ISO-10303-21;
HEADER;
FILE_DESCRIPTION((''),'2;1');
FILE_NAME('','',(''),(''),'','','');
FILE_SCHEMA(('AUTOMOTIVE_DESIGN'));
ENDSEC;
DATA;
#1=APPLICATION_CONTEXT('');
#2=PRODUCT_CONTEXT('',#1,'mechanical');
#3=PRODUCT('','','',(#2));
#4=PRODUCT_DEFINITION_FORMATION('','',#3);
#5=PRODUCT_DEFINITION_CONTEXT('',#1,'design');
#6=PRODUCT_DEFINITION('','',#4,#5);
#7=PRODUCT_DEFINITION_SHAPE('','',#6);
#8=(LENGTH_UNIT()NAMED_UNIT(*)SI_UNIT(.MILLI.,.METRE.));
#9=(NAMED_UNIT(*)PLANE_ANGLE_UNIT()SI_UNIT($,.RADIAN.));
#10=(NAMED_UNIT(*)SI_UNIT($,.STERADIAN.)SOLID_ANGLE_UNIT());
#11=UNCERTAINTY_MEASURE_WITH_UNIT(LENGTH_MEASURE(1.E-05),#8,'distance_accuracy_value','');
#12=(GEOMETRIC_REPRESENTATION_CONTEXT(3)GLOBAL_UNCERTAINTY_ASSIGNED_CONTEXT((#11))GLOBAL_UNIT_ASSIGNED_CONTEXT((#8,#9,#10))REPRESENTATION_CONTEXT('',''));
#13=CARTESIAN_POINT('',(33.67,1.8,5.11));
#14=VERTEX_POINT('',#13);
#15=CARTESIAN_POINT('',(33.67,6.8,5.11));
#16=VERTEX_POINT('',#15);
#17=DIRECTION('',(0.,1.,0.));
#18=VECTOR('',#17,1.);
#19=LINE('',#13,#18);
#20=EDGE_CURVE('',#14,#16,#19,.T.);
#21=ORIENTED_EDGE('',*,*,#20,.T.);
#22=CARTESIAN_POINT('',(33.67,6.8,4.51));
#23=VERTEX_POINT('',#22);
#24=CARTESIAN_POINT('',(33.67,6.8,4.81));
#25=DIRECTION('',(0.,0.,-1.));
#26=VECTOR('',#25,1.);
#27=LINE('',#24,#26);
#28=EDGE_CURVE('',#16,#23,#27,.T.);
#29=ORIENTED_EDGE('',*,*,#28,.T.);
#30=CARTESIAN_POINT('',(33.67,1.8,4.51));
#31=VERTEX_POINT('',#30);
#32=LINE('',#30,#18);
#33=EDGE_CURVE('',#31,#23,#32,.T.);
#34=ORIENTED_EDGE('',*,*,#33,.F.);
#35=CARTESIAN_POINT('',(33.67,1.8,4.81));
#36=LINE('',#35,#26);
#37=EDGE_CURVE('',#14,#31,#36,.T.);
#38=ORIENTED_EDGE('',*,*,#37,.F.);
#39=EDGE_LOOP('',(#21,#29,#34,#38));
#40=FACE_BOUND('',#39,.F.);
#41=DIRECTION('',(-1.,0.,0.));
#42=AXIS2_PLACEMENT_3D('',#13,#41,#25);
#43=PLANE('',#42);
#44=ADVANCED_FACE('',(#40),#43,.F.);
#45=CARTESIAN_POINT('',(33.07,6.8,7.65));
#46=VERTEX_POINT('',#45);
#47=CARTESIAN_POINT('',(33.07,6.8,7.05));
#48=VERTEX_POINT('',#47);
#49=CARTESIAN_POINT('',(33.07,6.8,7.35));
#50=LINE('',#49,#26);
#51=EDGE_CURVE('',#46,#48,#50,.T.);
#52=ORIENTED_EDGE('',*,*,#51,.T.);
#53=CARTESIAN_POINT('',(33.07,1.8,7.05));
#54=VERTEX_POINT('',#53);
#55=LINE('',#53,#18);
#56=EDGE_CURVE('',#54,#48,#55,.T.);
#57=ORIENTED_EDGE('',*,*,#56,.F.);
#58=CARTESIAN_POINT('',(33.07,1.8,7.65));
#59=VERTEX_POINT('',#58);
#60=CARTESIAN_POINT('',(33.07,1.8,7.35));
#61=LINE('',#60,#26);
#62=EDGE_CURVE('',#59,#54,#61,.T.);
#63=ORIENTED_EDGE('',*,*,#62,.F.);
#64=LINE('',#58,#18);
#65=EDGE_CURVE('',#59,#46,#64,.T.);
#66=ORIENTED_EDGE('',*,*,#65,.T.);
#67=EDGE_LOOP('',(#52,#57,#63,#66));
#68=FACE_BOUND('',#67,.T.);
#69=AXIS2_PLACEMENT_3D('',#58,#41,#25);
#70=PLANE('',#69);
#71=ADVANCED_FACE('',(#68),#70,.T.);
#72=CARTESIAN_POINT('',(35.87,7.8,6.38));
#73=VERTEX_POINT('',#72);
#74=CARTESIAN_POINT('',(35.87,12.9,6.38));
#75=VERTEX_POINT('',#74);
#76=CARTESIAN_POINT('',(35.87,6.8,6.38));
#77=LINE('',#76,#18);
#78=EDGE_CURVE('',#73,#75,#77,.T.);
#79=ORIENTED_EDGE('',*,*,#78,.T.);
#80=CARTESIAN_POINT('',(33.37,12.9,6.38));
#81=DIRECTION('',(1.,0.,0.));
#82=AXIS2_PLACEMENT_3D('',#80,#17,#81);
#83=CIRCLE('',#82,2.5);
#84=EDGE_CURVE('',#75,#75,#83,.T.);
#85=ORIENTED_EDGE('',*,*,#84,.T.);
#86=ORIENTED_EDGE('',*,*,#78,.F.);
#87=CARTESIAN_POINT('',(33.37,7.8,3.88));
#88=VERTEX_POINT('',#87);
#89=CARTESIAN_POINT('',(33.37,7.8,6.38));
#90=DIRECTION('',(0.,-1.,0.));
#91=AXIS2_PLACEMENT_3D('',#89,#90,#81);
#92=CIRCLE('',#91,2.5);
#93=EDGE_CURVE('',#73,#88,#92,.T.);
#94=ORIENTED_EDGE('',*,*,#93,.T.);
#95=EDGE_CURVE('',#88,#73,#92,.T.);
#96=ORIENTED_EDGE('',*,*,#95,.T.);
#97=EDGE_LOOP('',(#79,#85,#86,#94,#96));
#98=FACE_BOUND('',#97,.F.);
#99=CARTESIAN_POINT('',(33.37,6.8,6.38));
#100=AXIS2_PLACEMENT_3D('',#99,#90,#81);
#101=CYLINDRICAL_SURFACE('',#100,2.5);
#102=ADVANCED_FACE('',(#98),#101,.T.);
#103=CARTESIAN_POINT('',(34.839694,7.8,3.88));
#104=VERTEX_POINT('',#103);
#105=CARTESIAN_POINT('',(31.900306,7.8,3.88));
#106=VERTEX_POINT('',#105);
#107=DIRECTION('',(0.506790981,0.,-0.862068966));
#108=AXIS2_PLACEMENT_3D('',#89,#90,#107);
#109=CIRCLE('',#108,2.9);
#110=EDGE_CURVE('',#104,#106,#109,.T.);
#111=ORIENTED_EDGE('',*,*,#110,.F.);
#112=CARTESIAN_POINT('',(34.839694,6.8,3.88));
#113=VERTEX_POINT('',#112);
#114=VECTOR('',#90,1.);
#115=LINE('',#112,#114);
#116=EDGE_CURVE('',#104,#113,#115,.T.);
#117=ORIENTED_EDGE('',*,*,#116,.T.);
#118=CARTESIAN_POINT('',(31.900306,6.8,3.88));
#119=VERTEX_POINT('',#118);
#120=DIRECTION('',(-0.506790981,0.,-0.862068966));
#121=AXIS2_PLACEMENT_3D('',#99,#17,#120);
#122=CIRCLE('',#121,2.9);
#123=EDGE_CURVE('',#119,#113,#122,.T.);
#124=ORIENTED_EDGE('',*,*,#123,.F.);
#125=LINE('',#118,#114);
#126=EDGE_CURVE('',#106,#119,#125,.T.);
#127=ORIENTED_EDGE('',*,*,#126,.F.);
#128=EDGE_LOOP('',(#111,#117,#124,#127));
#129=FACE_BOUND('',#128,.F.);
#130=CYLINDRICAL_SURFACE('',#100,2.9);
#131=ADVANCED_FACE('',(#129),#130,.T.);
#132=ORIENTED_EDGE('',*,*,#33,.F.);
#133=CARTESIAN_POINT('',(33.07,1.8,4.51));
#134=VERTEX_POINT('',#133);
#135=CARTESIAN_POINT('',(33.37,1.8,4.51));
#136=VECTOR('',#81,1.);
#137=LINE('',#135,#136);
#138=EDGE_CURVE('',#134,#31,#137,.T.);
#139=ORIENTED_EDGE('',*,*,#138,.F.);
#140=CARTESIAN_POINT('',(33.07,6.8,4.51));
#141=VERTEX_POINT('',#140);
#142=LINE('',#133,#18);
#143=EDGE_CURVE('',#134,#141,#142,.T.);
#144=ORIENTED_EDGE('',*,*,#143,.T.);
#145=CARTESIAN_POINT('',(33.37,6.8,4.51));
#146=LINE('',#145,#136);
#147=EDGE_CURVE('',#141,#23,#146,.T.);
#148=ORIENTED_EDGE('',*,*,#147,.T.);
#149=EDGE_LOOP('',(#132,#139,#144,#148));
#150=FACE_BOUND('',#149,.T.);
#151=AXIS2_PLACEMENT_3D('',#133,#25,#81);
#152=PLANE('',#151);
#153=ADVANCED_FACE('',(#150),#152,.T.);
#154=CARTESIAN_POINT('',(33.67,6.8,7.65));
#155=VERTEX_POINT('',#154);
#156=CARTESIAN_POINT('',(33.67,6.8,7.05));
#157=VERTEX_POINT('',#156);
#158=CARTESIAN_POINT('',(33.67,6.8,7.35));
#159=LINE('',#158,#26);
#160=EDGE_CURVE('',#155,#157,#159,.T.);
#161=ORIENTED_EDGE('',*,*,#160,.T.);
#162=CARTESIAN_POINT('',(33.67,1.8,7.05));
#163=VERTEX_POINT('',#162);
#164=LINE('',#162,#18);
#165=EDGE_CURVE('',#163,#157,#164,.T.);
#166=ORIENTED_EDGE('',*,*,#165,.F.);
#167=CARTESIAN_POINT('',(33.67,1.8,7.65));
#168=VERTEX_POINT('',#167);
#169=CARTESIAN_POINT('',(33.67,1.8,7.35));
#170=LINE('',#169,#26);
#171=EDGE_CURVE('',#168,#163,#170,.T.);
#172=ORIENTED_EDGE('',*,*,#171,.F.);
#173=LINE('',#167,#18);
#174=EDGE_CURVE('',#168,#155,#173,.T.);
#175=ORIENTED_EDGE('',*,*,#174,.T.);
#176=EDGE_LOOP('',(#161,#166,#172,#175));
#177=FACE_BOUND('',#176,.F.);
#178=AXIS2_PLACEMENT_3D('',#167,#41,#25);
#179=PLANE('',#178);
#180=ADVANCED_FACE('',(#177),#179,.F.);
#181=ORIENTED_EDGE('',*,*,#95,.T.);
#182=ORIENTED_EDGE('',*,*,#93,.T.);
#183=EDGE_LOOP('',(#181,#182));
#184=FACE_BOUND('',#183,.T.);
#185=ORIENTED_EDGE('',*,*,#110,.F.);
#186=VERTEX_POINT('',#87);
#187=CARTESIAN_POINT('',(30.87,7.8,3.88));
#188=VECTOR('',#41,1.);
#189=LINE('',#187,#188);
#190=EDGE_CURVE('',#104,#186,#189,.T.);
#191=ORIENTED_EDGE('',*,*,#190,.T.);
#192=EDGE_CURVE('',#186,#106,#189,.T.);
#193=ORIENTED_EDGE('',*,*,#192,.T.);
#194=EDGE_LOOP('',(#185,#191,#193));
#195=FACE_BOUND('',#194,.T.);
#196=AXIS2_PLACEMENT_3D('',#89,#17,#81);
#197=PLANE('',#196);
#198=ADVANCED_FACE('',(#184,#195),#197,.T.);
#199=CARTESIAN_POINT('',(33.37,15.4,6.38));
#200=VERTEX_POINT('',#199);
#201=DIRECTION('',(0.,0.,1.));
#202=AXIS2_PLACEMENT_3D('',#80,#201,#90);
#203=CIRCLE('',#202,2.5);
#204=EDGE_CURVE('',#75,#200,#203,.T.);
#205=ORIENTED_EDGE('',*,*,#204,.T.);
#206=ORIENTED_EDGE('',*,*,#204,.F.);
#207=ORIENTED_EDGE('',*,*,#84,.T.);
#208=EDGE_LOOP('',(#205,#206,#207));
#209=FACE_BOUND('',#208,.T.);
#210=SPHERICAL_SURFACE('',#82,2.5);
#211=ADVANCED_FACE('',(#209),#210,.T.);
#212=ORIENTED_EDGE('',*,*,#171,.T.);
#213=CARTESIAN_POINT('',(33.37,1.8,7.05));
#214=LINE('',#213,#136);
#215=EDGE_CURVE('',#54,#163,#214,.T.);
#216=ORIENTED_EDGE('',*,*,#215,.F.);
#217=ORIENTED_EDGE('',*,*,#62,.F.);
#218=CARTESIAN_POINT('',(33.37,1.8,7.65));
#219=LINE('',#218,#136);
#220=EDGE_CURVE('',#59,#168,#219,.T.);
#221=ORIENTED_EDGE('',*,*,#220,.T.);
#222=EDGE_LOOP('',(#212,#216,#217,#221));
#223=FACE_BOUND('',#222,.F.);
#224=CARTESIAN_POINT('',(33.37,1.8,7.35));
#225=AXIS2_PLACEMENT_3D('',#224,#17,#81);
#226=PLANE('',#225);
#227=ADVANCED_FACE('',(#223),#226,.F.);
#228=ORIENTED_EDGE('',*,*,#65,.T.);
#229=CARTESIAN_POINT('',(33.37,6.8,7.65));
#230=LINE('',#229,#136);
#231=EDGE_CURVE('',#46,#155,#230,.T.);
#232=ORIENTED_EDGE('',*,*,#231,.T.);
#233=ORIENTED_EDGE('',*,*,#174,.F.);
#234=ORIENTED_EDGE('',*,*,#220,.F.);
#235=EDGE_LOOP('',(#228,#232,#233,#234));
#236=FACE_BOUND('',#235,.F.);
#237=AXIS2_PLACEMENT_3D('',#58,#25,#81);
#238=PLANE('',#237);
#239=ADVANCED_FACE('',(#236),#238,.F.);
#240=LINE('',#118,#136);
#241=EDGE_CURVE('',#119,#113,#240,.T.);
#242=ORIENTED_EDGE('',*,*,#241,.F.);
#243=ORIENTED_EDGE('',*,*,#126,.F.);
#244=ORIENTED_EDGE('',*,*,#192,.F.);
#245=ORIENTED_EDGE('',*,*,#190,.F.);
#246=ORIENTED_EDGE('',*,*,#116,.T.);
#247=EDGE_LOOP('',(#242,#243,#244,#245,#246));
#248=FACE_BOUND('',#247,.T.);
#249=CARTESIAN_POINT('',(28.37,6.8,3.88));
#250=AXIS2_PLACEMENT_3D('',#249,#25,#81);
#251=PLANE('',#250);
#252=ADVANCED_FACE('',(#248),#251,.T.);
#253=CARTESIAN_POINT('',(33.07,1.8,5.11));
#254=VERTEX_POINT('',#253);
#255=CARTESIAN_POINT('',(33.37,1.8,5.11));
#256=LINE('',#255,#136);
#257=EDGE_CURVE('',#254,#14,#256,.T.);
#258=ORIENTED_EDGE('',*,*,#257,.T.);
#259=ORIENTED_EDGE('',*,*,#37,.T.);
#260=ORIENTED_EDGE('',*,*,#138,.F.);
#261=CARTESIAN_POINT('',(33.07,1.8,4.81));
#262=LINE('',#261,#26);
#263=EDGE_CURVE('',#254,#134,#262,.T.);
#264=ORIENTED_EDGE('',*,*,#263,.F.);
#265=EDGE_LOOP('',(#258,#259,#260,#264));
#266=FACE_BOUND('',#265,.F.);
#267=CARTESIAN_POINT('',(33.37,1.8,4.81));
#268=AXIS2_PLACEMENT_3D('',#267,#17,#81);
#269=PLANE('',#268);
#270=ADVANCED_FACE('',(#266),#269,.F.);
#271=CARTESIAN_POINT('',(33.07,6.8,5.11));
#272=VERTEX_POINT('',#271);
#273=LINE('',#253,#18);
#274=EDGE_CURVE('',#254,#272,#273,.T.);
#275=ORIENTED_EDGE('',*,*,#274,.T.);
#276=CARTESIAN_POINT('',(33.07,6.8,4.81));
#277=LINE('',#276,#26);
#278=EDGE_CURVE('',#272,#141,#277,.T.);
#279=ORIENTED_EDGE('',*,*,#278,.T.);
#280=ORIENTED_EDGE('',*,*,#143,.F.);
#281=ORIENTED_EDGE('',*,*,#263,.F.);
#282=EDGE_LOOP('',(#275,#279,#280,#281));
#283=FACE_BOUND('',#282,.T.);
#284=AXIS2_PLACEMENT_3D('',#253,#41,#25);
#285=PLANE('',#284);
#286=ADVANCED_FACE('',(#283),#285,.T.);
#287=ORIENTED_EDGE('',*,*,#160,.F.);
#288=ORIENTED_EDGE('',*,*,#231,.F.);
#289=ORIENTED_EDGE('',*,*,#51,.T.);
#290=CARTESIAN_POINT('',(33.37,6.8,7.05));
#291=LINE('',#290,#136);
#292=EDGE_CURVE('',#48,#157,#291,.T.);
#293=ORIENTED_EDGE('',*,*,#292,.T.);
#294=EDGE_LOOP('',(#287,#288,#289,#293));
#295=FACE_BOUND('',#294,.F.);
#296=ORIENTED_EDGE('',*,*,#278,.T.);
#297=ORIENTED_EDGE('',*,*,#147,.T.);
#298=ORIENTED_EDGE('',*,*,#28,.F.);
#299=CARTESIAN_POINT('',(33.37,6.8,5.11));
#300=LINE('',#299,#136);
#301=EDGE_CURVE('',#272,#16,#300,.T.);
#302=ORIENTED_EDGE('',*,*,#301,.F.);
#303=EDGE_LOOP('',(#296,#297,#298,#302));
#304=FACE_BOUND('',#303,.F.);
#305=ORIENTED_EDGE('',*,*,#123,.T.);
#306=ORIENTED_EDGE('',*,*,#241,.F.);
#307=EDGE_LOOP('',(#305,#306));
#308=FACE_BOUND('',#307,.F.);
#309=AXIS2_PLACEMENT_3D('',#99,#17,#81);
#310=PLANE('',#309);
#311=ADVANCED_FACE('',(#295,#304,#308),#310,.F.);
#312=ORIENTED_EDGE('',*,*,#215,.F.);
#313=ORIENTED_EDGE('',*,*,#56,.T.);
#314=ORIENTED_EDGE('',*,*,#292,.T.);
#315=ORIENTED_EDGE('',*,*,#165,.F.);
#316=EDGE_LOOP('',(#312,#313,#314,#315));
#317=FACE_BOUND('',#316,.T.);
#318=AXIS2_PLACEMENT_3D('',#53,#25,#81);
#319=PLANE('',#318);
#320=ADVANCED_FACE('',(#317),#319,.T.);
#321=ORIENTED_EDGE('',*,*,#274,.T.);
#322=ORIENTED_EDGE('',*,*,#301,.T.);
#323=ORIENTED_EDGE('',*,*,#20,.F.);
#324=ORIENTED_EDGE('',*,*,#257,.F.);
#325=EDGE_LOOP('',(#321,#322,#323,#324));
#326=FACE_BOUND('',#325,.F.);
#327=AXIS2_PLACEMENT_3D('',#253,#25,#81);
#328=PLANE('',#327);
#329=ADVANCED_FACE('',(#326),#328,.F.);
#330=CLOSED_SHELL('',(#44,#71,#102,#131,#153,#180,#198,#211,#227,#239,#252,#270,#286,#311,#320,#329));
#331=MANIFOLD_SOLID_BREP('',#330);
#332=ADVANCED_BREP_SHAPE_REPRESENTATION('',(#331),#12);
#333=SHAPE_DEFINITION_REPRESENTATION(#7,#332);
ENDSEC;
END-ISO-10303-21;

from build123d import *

# Parameters (mm, degrees)
BOX001_W             = 0.6
BOX001_H             = 0.6
BOX001_DEPTH         = 5
BOX002_W             = 0.6
BOX002_H             = 0.6
BOX002_DEPTH         = 5
CYLINDER004_R        = 2.5
CYLINDER004_DEPTH    = 6.1
BOX_W                = 10
BOX_H                = 10
BOX_DEPTH            = 10
CYLINDER005_R        = 2.9
CYLINDER005_DEPTH    = 1
FUSION002_ROLL_ANGLE = -90


with BuildPart() as led_pin1:
    # Box001 → Box001 (new body)
    with BuildSketch(Plane(origin=(-0.3, 1.27, -5), x_dir=(1, 0, 0), z_dir=(0, 0, 1))):
        with Locations((0.3, 0.3)):
            Rectangle(BOX001_W, BOX001_H)
    extrude(amount=BOX001_DEPTH)


with BuildPart() as led_pin2:
    # Box002 → Box002 (new body)
    with BuildSketch(Plane(origin=(-0.3, -1.27, -5), x_dir=(1, 0, 0), z_dir=(0, 0, 1))):
        with Locations((0.3, 0.3)):
            Rectangle(BOX002_W, BOX002_H)
    extrude(amount=BOX002_DEPTH)


with BuildPart() as led_cyl:
    # Cylinder004 → Cylinder004 (new body)
    with BuildSketch(Plane.XY):
        Circle(CYLINDER004_R)
    extrude(amount=CYLINDER004_DEPTH)


with BuildPart() as led_key_cut:
    # Box → Box (new body)
    with BuildSketch(Plane(origin=(-5, 2.5, 0), x_dir=(1, 0, 0), z_dir=(0, 0, 1))):
        with Locations((5, 5)):
            Rectangle(BOX_W, BOX_H)
    extrude(amount=BOX_DEPTH)


with BuildPart() as cut001:
    # Cylinder005 → Cylinder005 (new body)
    with BuildSketch(Plane.XY):
        Circle(CYLINDER005_R)
    extrude(amount=CYLINDER005_DEPTH)

    # Cut001: cut led-key-cut
    add(led_key_cut.part, mode=Mode.SUBTRACT)


with BuildPart() as led5mm:
    # Sphere → Sphere (revolve)
    with BuildSketch(Plane(origin=(0, 0, 6.1), x_dir=(1, 0, 0), z_dir=(0, -1, 0))):
        with BuildLine():
            ThreePointArc((0, -2.5), (2.5, 0), (0, 2.5))
            Line((0, 2.5), (0, -2.5))
        make_face()
    revolve(axis=Axis((0, 0, 6.1), (0, 0, 1)))

    # Fusion001: union led-cyl, Cut001
    add(led_cyl.part)
    add(cut001.part)

    # Fusion002: union led-pin1, led-pin2
    add(led_pin1.part)
    add(led_pin2.part)


with BuildPart() as led5mm_1:
    # Fusion002 roll: moved
    add(led5mm.part.rotate(Axis((0, 0, 0), (1, 0, 0)), FUSION002_ROLL_ANGLE))


with BuildPart() as led5mm_2:
    # Fusion002 placement: moved
    add(led5mm_1.part.moved(Location((33.37, 6.8, 6.38))))


solid = led5mm_2.part
